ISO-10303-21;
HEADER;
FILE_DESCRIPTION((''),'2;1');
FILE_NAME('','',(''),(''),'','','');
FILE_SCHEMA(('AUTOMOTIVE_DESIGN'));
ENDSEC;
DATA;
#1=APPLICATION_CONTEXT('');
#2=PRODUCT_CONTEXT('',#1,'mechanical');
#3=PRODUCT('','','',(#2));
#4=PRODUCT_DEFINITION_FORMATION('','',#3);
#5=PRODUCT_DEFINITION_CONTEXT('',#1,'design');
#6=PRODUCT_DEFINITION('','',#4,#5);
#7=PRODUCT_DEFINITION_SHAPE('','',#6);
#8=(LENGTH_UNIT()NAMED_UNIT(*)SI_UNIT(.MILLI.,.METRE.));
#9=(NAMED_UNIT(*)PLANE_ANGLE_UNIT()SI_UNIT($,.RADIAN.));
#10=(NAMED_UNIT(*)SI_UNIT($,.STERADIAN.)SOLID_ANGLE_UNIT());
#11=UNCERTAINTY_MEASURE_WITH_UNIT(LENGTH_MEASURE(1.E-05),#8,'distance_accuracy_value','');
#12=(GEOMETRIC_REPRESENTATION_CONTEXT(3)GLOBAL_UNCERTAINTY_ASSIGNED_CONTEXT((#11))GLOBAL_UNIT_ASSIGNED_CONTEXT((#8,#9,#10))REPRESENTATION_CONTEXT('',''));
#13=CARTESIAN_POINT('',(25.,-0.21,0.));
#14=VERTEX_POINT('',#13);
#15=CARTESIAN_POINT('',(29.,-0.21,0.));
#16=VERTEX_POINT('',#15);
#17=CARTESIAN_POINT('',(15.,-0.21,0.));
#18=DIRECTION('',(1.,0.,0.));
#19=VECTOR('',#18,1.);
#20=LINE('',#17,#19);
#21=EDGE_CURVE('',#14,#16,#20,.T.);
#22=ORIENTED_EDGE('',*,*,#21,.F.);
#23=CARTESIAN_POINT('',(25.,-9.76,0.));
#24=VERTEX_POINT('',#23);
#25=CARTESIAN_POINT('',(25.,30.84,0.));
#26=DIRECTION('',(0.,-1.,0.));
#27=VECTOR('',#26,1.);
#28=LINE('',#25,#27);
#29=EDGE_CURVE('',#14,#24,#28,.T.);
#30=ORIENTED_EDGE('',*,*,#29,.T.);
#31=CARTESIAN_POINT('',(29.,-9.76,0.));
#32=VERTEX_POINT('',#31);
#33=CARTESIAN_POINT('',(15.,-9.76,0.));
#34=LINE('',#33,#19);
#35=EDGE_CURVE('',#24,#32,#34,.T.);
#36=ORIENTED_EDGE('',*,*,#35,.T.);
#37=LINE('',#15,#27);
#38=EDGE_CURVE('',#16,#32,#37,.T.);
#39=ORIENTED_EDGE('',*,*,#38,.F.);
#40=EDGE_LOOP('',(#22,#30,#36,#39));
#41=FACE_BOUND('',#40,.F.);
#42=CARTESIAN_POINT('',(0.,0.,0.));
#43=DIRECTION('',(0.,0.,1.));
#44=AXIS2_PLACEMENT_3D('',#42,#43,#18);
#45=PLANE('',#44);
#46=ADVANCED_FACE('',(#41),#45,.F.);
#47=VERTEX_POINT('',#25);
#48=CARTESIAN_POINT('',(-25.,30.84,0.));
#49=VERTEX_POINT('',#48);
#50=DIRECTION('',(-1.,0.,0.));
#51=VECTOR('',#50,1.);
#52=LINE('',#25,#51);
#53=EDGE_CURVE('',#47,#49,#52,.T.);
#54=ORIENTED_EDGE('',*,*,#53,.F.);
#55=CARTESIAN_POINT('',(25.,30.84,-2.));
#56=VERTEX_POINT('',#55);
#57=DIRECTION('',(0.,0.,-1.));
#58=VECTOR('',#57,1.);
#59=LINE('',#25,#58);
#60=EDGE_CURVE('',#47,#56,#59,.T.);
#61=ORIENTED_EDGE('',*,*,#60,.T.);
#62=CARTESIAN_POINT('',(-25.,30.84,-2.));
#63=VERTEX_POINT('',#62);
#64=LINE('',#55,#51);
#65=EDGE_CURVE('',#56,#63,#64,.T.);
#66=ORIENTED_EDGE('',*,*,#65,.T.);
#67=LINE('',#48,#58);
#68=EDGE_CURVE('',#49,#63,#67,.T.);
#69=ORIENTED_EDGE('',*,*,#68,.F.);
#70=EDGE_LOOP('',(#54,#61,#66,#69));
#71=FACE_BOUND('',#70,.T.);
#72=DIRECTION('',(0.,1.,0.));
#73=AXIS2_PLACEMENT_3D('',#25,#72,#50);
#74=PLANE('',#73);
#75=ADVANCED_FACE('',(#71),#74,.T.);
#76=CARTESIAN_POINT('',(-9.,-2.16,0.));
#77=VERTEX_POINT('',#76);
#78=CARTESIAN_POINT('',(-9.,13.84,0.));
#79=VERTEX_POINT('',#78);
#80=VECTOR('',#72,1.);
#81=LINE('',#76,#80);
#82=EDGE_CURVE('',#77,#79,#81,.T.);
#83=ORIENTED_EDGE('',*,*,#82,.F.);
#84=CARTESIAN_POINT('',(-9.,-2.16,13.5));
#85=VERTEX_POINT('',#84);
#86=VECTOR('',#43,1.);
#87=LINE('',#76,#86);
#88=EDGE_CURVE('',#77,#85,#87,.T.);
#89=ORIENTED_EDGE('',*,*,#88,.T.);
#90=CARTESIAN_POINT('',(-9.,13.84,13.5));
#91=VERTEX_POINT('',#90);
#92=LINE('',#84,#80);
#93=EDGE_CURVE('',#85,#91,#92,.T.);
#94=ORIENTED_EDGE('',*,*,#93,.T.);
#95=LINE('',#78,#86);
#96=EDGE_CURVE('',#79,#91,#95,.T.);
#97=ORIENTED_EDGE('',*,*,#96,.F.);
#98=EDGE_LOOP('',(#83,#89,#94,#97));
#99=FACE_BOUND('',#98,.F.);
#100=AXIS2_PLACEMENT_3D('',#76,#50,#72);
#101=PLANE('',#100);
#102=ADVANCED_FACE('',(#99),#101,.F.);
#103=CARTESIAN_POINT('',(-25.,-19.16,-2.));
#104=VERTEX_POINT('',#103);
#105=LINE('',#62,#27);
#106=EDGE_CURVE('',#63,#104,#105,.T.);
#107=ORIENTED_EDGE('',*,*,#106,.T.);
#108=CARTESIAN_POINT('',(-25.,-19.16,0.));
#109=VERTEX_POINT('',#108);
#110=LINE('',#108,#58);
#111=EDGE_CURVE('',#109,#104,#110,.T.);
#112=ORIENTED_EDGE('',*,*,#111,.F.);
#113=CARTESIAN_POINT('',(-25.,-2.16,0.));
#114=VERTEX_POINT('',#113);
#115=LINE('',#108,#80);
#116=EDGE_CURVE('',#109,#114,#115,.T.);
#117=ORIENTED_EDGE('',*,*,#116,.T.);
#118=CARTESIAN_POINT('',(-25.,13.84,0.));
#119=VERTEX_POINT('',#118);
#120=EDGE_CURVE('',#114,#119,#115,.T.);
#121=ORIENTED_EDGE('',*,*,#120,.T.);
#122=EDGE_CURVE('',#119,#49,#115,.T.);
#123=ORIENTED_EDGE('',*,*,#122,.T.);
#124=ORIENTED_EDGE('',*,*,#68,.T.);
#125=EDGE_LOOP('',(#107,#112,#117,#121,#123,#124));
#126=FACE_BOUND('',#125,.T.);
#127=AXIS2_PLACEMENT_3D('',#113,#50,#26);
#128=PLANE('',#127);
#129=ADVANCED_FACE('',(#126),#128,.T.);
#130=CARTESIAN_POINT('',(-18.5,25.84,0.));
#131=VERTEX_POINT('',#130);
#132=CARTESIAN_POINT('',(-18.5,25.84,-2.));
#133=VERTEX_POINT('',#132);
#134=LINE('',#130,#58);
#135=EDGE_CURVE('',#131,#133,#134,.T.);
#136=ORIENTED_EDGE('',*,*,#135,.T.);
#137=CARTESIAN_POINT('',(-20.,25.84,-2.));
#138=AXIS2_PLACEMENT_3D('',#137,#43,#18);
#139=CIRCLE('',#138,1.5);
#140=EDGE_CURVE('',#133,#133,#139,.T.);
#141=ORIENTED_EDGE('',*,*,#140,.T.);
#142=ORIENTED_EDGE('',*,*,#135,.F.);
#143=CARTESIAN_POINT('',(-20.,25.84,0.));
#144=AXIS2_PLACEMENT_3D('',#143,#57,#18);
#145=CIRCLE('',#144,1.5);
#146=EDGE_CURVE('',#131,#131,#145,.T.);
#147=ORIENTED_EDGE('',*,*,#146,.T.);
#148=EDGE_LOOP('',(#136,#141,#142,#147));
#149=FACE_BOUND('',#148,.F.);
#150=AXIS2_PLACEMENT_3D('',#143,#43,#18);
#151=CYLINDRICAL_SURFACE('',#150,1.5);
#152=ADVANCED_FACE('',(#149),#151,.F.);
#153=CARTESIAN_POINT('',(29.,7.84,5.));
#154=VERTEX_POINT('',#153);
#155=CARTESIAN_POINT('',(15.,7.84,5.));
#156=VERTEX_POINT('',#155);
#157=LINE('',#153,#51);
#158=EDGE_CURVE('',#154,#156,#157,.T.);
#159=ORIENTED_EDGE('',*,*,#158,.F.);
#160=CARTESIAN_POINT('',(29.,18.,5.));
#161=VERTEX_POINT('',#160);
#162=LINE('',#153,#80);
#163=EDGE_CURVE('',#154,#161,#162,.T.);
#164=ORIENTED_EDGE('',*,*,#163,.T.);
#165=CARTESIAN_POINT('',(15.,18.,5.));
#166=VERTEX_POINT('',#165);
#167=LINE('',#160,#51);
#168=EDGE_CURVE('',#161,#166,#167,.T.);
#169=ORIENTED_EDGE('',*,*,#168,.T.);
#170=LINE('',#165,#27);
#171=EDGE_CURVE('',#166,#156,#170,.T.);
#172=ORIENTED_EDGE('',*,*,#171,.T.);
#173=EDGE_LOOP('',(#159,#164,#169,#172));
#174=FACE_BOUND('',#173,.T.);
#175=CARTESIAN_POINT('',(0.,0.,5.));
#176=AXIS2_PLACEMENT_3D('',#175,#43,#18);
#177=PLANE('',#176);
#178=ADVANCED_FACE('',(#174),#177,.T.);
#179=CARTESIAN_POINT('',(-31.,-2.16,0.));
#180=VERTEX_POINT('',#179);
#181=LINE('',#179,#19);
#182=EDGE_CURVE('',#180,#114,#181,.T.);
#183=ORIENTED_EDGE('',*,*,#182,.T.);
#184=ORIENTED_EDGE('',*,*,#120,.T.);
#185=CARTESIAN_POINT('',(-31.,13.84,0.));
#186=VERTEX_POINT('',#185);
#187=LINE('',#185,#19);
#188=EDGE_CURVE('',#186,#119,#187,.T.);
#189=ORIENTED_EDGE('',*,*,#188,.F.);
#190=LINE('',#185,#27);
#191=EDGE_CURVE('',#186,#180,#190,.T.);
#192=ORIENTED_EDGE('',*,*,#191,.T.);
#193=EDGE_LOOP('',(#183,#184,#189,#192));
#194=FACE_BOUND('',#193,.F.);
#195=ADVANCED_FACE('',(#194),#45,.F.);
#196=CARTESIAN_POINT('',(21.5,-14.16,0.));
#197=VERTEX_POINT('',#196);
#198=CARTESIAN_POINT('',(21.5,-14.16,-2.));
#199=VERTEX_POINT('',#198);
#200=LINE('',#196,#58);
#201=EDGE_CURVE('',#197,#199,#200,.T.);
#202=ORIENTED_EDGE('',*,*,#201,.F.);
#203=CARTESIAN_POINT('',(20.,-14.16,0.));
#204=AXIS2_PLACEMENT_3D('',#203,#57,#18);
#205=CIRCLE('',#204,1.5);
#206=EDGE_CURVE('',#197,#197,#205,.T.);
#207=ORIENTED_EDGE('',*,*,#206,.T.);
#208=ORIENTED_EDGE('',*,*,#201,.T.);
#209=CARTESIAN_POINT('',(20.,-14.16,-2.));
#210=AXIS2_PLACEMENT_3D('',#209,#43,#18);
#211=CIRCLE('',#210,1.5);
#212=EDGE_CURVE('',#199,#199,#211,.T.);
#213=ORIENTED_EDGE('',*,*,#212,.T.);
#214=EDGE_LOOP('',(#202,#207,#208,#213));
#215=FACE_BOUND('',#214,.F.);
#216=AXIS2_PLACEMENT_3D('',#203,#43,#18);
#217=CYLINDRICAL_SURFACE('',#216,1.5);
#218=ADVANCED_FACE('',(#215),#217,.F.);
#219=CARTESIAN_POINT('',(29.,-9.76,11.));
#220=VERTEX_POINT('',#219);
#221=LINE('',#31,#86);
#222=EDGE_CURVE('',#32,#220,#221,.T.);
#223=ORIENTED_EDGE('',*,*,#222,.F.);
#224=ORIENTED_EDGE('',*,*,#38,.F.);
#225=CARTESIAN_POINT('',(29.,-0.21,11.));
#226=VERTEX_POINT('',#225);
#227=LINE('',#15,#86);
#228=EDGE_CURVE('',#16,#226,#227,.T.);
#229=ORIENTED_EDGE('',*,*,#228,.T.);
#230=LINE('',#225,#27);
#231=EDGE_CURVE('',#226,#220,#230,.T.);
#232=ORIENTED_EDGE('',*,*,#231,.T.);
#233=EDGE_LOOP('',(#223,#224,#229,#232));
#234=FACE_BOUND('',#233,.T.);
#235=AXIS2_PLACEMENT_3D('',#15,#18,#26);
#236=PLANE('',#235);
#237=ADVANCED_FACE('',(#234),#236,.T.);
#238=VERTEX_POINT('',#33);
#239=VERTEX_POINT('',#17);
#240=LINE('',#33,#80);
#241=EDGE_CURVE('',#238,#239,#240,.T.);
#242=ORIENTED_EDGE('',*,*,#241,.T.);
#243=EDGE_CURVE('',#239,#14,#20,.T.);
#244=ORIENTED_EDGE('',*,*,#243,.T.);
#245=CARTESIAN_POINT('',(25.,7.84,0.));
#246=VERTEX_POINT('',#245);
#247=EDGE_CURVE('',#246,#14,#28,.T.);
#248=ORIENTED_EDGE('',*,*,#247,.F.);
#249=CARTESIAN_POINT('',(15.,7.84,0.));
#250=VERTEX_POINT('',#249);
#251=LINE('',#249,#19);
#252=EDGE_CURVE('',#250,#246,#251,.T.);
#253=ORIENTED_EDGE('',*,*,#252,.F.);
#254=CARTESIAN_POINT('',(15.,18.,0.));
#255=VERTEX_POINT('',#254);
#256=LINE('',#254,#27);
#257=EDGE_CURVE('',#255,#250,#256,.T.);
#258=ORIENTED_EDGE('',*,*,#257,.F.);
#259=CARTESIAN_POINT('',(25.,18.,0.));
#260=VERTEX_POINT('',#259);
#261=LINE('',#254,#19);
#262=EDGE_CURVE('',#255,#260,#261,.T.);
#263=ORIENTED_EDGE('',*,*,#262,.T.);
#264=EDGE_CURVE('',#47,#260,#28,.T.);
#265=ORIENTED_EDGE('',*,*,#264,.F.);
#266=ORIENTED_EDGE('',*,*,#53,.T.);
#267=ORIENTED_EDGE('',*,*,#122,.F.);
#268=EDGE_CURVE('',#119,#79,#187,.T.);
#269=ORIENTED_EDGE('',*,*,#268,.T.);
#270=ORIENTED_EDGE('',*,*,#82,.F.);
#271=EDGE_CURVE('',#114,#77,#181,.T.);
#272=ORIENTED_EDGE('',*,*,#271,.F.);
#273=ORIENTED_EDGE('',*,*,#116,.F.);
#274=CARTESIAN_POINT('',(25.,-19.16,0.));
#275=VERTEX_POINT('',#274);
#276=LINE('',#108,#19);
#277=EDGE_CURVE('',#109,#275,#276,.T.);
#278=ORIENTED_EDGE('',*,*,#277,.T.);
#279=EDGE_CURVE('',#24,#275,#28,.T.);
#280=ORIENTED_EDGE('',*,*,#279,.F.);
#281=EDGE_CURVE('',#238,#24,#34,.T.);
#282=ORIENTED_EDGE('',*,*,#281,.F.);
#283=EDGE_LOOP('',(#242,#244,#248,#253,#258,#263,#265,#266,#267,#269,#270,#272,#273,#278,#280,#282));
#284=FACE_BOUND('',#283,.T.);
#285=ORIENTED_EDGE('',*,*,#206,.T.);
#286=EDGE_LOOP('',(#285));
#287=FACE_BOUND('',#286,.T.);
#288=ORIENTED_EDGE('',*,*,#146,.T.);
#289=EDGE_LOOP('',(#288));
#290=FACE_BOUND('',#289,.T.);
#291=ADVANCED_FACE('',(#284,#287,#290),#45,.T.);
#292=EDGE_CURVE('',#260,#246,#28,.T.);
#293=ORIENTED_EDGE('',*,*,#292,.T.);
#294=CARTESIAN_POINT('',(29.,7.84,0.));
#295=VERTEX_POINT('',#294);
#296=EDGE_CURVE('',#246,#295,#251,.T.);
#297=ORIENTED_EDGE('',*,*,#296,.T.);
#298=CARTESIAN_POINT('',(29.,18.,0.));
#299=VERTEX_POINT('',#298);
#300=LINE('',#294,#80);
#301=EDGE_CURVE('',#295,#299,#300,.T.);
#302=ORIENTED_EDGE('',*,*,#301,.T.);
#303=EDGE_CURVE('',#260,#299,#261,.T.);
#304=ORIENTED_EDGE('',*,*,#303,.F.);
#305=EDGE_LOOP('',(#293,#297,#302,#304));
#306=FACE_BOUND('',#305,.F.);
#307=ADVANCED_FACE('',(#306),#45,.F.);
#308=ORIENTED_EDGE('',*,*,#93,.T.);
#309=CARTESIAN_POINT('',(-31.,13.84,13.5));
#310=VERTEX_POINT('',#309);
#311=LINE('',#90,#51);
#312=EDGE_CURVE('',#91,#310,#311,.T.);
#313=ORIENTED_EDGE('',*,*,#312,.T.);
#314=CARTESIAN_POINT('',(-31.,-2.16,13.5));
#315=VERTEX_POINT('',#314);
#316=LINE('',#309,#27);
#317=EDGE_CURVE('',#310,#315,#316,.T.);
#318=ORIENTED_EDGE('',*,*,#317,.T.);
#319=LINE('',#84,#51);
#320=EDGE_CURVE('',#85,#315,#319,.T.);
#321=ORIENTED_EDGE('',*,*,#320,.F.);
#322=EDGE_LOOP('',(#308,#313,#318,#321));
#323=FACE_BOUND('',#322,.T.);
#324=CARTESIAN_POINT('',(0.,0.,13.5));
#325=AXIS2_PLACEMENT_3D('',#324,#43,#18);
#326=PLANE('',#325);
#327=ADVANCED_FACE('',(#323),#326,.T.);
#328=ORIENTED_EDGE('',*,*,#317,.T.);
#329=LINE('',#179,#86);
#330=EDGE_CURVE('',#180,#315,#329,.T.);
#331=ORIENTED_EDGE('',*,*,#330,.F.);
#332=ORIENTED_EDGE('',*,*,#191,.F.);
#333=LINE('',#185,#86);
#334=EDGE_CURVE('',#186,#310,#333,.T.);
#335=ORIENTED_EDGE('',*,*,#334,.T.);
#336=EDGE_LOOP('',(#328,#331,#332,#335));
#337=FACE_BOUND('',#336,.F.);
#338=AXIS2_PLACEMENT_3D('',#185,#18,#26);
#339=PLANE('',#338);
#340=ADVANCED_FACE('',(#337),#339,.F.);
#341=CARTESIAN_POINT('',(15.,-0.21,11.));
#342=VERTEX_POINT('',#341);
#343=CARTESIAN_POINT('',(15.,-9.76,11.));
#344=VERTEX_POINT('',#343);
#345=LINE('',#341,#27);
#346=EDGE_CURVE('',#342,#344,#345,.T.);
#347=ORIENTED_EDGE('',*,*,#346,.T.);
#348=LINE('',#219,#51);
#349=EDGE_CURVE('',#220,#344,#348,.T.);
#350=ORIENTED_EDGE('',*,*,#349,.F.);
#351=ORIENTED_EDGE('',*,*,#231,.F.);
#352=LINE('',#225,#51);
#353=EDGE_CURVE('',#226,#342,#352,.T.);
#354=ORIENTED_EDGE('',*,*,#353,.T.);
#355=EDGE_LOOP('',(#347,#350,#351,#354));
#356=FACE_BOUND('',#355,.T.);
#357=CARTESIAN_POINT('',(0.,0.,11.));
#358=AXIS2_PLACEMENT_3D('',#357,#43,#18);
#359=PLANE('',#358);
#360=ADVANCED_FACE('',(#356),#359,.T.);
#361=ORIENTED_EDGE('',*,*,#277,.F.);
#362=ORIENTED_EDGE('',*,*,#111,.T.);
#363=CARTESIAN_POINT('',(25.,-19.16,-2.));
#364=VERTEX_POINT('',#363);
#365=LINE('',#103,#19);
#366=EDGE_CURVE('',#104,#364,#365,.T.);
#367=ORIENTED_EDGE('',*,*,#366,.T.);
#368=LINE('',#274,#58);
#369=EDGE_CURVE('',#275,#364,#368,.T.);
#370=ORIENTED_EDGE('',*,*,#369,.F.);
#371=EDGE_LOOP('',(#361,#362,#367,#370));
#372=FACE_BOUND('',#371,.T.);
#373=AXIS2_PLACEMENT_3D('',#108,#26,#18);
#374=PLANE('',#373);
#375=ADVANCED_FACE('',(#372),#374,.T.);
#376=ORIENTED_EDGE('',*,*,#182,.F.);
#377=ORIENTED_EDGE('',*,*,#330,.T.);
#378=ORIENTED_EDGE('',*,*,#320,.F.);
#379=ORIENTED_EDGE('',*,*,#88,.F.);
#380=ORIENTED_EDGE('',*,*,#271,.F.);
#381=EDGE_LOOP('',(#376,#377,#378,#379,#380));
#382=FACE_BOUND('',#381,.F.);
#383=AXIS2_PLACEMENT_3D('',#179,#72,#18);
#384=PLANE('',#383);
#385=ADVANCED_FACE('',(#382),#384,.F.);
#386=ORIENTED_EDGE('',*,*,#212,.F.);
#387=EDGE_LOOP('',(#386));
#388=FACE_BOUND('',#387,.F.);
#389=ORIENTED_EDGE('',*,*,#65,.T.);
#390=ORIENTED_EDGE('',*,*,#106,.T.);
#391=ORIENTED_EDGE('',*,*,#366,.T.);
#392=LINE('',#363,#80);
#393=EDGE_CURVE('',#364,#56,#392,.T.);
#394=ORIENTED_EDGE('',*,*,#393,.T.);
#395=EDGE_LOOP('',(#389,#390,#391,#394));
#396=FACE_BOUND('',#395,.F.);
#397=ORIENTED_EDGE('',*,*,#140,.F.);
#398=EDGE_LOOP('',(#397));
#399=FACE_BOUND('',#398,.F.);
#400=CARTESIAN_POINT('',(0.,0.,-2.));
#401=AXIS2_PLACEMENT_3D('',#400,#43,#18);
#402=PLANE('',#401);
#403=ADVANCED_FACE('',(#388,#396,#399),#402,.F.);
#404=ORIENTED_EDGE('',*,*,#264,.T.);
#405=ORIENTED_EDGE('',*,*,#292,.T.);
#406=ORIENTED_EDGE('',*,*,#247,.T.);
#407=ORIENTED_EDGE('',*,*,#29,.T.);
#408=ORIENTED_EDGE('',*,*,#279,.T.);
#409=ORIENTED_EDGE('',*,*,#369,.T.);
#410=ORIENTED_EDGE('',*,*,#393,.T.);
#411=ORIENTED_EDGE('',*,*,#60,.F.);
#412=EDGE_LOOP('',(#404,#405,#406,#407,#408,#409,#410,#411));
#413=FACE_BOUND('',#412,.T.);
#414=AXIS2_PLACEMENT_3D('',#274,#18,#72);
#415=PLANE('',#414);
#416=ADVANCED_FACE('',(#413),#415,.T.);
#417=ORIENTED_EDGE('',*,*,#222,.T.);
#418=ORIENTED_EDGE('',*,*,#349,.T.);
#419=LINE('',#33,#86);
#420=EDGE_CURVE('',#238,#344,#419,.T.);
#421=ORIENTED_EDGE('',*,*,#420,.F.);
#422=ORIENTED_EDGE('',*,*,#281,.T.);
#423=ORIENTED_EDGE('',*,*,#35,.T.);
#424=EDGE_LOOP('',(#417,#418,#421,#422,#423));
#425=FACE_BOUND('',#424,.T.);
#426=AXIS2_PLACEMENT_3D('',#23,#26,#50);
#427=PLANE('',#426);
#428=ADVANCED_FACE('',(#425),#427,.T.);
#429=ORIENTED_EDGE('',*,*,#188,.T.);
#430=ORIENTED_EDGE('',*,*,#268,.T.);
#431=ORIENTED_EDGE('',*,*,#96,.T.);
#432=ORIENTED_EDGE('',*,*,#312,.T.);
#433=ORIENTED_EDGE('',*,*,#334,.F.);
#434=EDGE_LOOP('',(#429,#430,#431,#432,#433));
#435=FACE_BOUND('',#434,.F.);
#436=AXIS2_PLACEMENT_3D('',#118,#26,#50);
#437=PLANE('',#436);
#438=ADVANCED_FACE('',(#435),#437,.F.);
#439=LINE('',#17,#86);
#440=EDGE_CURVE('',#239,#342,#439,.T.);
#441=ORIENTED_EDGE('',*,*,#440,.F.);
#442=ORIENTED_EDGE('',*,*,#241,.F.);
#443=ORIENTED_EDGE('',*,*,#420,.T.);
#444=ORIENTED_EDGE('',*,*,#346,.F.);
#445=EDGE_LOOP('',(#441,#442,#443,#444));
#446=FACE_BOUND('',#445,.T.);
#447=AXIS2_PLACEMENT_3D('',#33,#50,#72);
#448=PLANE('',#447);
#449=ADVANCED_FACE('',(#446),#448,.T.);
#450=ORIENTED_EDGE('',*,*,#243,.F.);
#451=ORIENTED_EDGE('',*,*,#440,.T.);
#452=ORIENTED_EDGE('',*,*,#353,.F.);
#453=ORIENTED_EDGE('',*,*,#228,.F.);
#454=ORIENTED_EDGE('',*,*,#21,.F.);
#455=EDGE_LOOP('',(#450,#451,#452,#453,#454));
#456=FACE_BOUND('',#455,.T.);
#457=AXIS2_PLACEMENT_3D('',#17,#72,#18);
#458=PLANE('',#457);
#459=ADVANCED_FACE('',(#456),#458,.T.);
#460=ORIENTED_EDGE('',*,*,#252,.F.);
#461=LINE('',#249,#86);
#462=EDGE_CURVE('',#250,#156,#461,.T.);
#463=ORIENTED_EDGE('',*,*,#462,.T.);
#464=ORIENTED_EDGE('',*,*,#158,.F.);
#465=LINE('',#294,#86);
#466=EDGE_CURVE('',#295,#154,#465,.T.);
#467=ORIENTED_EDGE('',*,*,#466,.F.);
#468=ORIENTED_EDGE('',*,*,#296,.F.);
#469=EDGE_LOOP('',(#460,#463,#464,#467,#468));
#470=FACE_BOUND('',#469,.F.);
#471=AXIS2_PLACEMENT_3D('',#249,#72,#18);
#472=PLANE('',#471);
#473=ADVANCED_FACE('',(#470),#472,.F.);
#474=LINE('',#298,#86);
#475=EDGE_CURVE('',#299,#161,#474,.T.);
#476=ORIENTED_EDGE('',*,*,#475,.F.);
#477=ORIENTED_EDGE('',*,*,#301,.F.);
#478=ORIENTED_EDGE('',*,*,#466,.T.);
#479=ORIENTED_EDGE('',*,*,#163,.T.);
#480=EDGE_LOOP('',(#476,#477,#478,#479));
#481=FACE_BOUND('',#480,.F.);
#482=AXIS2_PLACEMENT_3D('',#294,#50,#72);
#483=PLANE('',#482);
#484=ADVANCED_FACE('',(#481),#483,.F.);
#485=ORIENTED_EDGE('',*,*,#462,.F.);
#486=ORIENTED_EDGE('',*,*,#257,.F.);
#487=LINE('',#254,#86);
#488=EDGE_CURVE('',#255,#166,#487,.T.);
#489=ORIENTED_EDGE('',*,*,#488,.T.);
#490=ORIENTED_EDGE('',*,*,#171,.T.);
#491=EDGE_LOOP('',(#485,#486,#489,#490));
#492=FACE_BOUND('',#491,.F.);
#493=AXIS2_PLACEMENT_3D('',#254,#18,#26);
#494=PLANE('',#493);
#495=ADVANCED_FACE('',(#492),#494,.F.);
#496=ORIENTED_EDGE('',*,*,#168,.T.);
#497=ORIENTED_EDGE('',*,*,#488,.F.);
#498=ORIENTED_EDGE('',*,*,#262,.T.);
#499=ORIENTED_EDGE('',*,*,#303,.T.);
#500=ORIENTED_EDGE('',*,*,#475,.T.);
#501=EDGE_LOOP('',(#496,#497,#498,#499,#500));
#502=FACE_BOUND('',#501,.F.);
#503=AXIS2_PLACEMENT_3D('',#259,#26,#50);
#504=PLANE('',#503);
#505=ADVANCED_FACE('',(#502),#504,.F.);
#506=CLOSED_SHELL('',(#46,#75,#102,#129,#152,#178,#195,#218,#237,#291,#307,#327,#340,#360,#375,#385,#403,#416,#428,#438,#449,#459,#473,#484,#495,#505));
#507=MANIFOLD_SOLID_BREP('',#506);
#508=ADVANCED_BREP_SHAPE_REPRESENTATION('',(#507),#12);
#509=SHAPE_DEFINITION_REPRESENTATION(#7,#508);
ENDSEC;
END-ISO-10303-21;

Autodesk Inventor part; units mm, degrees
ref_plane "YZ Plane" through (0, 0, 0) normal (1, 0, 0) x (0, 1, 0)
ref_plane "XZ Plane" through (0, 0, 0) normal (0, 1, 0) x (-1, 0, 0)
ref_plane "XY Plane" through (0, 0, 0) normal (0, 0, 1) x (1, 0, 0)
sketch "Platine" plane through (0, 0, 0) normal (0, 0, 1) x (1, 0, 0)
  line L0 (-25, -19.16) -> (25, -19.16)
  line L1 (25, -19.16) -> (25, 30.84)
  line L2 (25, 30.84) -> (-25, 30.84)
  line L3 (-25, 30.84) -> (-25, -19.16)
  line L4 (-25, -19.16) -> (25, 30.84)
  line L5 (25, -19.16) -> (-25, 30.84)
  line L6 (-31, -2.16) -> (-9, -2.16)
  line L7 (-9, -2.16) -> (-9, 13.84)
  line L8 (-9, 13.84) -> (-31, 13.84)
  line L9 (-31, 13.84) -> (-31, -2.16)
  line L10 (29, -9.76) -> (15, -9.76)
  line L11 (15, -9.76) -> (15, -0.21)
  line L12 (15, -0.21) -> (29, -0.21)
  line L13 (29, -0.21) -> (29, -9.76)
  line L14 (15, 7.84) -> (29, 7.84)
  line L15 (29, 7.84) -> (29, 18)
  line L16 (29, 18) -> (15, 18)
  line L17 (15, 18) -> (15, 7.84)
  circle A0 centre (-20, 25.84) radius 1.5
  circle A1 centre (20, -14.16) radius 1.5
  line L18 (-31, 32.4529) -> (-31, -19) construction
  line L19 (29, 40.2658) -> (29, -31.3692) construction
  line L20 (-20, 25.84) -> (20, 25.84) construction
  line L21 (20, 25.84) -> (20, -14.16) construction
  line L22 (20, -14.16) -> (-20, -14.16) construction
  line L23 (-20, -14.16) -> (-20, 25.84) construction
  circle A2 centre (20, 25.84) radius 1.5
  circle A3 centre (-20, -14.16) radius 1.5
  point P0 (0, 0)
  point P1 (0, 5.84)
  dimension "d0" = 50
  dimension "d1" = 50
  dimension "d2" = 22
  dimension "d3" = 16
  dimension "d4" = 17
  dimension "d6" = 14
  dimension "d7" = 9.55
  dimension "d8" = 9.4
  dimension "d10" = 10.16
  dimension "d11" = 14
  dimension "d12" = 27
  dimension "d14" = 3
  dimension "d15" = 5
  dimension "d16" = 5
  dimension "d17" = 5
  dimension "d18" = 5
  dimension "d19" = 18
  dimension "d127" = 6
  dimension "d128" = 4
  dimension "d129" = 25
extrude "Platinengeometrie" add sketch "Platine" against normal blind 2 contours L4 A3 L5 L11 L10 A1 L0 | L3 L6 L7 L8 L5 A0 L4 A3 | L5 A1 L10 L1 | L3 L8 L7 L6 | A3 L4 | L4 A3 | L10 L5 L11 L12 L1 | A1 L5 | L5 A1 | L12 L11 L5 L4 A2 L1 L16 L17 L14 | L10 L11 L5 | L2 L4 A2 L5 A0 | L14 L17 L16 L1 | A0 L5 | L5 A0 | A2 L4 | L4 A2
extrude "MEBP 8-8G" add sketch "Platine" along normal blind 13.5 contours L6 L9 L8 L3 | L3 L8 L7 L6
extrude "HEBW21" add sketch "Platine" along normal blind 11 contours L10 L5 L11 L12 L1 | L1 L12 L13 L10 | L10 L11 L5
extrude "PSS 254/4W" add sketch "Platine" along normal blind 5 contours L14 L17 L16 L1 | L1 L16 L15 L14
extrude "Extrusion9" cut sketch "Platine" against normal up to next contours A1 L5 | L5 A1 | A0 L5 | L5 A0
equation "\"d136\" = d18"
properties part number "PCB-Model"
